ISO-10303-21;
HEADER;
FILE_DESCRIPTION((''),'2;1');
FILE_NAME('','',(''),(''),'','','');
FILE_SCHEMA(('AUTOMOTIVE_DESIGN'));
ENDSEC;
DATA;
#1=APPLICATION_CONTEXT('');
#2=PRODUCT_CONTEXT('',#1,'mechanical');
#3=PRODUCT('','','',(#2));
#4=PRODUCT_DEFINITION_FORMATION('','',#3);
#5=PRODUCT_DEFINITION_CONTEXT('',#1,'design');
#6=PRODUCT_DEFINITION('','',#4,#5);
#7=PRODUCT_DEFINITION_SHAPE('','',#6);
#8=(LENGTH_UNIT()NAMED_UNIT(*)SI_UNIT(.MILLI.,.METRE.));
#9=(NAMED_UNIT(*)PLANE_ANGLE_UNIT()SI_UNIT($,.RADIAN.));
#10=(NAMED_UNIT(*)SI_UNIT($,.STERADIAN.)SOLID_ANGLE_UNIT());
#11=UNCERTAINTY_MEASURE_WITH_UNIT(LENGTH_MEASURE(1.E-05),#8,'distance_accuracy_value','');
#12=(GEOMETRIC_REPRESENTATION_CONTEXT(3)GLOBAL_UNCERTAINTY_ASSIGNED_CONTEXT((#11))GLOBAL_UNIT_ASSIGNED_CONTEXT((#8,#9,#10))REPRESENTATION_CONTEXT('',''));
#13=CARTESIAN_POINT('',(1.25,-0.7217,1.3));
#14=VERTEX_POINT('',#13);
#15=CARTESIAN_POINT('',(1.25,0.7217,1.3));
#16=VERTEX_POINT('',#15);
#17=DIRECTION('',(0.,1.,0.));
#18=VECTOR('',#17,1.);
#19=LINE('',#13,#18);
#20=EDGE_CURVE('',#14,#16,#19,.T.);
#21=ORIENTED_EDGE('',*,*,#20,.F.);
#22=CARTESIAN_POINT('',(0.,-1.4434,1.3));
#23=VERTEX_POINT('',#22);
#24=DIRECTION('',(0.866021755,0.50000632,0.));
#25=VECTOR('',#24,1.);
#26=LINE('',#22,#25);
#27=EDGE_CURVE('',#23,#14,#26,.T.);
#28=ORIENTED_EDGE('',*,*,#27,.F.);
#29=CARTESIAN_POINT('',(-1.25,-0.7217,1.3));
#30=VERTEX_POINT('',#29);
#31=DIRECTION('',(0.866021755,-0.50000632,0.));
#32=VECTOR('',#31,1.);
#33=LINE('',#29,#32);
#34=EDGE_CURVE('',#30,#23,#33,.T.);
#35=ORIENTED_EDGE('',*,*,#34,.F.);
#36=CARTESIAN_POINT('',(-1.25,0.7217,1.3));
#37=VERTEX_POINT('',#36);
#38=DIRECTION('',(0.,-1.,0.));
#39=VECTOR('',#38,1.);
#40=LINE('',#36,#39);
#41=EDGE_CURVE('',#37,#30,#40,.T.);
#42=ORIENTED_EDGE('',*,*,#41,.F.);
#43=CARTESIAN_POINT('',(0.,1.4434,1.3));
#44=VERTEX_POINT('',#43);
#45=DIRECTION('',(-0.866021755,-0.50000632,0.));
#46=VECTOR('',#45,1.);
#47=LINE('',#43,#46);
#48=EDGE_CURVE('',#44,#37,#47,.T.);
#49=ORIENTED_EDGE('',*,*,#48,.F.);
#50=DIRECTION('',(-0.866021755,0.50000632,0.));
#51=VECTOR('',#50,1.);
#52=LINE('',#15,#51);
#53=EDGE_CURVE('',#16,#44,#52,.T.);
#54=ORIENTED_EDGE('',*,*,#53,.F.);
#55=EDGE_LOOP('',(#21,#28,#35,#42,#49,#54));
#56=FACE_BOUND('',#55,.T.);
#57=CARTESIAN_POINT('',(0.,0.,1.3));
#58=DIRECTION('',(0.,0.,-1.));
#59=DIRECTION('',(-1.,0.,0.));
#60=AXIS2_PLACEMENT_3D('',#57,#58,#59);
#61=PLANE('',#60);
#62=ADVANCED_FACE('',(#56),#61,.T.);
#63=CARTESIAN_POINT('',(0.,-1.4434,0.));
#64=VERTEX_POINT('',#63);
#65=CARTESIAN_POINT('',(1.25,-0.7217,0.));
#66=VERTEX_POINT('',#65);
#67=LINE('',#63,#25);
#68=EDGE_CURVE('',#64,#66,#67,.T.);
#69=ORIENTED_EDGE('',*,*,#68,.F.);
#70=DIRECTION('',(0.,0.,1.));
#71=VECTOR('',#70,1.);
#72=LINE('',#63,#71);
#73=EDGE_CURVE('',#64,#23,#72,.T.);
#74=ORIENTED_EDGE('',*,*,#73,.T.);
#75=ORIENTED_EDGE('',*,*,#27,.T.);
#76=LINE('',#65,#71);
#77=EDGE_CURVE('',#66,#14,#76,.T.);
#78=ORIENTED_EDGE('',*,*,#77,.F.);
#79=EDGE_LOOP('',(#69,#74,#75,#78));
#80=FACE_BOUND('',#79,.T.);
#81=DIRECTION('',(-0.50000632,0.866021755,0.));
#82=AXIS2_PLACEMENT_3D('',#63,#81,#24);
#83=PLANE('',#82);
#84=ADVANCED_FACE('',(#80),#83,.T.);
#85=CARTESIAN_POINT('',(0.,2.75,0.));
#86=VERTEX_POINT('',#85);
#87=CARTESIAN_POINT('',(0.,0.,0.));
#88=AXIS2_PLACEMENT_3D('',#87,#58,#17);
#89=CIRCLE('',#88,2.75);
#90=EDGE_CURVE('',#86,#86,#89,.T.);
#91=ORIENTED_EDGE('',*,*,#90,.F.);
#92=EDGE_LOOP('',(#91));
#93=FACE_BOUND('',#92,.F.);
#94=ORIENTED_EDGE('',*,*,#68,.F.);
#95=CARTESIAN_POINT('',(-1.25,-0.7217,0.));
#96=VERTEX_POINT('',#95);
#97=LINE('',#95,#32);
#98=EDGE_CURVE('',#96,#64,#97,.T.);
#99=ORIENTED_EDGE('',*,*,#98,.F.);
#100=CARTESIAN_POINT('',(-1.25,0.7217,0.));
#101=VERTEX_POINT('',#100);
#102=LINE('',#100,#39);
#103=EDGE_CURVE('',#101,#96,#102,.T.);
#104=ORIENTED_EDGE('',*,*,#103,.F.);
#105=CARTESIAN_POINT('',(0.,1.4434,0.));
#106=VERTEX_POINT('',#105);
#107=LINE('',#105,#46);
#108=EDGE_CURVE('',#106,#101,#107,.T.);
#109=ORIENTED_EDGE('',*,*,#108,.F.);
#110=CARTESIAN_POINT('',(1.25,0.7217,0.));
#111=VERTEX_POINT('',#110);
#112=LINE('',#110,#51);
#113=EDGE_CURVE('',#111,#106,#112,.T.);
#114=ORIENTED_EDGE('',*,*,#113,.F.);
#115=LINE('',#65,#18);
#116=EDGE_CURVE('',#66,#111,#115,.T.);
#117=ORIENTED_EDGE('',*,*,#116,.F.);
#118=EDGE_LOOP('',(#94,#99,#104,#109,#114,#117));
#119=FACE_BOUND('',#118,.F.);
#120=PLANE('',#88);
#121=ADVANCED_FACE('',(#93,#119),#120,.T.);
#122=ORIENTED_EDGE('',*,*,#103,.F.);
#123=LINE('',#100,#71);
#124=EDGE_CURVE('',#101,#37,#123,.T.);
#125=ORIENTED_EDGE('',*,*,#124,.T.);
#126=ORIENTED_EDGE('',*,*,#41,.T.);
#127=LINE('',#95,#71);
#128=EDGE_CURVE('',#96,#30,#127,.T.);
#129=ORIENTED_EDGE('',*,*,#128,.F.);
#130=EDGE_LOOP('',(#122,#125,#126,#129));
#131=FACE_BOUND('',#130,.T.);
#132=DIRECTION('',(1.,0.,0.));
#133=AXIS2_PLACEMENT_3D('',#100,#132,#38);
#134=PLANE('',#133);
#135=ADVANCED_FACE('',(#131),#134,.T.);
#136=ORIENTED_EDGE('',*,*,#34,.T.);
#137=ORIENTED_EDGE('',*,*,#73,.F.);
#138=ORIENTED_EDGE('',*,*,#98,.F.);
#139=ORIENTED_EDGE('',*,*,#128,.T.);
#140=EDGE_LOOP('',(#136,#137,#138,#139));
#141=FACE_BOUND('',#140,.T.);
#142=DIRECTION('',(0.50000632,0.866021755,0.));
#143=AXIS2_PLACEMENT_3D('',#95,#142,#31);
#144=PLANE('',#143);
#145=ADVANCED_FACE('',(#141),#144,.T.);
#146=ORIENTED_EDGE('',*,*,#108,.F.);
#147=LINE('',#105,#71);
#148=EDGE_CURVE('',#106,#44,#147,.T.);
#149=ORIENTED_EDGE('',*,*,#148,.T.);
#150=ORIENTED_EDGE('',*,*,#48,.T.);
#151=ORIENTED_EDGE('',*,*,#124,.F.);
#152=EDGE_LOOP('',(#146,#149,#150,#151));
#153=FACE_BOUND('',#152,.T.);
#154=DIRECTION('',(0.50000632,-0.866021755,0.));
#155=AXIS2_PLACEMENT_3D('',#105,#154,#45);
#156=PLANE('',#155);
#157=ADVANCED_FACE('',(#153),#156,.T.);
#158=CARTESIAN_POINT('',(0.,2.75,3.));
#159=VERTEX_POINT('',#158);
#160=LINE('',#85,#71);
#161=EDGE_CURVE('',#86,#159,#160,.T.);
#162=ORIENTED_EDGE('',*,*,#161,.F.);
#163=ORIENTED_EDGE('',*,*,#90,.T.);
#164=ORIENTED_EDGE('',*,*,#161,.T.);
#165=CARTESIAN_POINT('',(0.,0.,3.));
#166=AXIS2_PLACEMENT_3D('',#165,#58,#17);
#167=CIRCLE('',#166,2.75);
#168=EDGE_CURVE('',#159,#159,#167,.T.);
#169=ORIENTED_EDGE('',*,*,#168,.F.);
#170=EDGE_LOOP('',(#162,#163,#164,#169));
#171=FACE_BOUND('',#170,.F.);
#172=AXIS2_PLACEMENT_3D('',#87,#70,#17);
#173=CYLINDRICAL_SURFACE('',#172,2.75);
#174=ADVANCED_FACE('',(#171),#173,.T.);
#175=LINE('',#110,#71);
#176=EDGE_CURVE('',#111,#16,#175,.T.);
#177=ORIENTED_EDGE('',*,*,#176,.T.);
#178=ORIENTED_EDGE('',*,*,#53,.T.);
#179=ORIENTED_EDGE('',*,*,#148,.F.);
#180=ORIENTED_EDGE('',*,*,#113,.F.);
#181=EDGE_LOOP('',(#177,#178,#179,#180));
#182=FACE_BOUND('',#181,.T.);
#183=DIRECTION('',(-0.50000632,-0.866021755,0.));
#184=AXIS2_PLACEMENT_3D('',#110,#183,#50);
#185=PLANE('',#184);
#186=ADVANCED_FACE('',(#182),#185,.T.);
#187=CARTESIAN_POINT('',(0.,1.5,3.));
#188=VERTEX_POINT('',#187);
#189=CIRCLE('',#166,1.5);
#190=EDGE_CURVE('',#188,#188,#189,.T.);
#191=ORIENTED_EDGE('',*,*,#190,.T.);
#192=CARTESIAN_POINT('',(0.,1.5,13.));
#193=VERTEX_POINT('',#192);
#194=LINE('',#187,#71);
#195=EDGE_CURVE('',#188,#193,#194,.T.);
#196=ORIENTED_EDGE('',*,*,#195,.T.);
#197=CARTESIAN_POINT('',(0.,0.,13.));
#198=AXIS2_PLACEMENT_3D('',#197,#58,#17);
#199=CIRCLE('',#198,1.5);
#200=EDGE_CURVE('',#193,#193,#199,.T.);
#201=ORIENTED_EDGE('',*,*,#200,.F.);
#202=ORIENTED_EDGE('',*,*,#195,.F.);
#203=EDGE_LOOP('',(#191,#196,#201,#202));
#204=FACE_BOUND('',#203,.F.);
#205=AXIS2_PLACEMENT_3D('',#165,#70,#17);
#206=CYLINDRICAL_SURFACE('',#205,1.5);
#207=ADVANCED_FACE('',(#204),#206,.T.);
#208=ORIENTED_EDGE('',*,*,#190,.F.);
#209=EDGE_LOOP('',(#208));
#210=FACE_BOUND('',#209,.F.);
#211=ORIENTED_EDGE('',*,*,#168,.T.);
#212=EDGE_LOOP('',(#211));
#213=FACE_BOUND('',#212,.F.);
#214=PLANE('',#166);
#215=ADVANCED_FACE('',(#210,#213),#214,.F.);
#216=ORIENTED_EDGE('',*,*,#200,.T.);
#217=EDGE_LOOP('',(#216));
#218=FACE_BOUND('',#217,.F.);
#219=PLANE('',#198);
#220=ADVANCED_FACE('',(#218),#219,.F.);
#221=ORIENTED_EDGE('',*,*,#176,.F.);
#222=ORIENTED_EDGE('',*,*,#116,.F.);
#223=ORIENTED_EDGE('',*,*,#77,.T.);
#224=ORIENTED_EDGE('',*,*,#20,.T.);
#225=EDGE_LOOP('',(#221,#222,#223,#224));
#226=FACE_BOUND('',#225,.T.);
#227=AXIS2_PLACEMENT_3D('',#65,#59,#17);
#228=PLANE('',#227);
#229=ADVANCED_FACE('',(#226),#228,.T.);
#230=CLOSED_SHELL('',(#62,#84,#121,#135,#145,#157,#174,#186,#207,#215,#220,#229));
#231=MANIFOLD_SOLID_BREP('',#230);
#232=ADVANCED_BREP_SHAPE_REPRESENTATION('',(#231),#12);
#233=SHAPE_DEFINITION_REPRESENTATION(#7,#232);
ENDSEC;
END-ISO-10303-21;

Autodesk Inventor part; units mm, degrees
ref_plane "YZ Plane" through (0, 0, 0) normal (1, 0, 0) x (0, 1, 0)
ref_plane "XZ Plane" through (0, 0, 0) normal (0, 1, 0) x (-1, 0, 0)
ref_plane "XY Plane" through (0, 0, 0) normal (0, 0, 1) x (1, 0, 0)
sketch "スケッチ1" plane through (0, 0, 0) normal (1, 0, 0) x (0, 1, 0)
  line L0 (0, 13) -> (0, 0)
  line L1 (0, 0) -> (2.75, 0)
  line L2 (2.75, 0) -> (2.75, 3)
  line L3 (2.75, 3) -> (1.5, 3)
  line L4 (1.5, 3) -> (1.5, 13)
  line L5 (1.5, 13) -> (0, 13)
  dimension "d2" = 3
  dimension "d10" = 10
  dimension "d11" = 3
  dimension "d12" = 5.5
revolve "回転1" add sketch "スケッチ1" angle 360 about axis through (0, 0, 13) along (0, 0, -1)
thread "ねじ1" size "M3x0.5" class "6g" standard "ANSI Metric M Profile" full length
sketch "スケッチ2" plane through (0, 0, 0) normal (0, 0, -1) x (-1, 0, 0)
  line L0 (0, 1.4434) -> (1.25, 0.7217)
  line L1 (1.25, 0.7217) -> (1.25, -0.7217)
  line L2 (1.25, -0.7217) -> (0, -1.4434)
  line L3 (0, -1.4434) -> (-1.25, -0.7217)
  line L4 (-1.25, -0.7217) -> (-1.25, 0.7217)
  line L5 (-1.25, 0.7217) -> (0, 1.4434)
  circle A0 centre (0, 0) radius 2.75 projected
  line L6 (0, 2.75) -> (0, -2.75) construction
  dimension "d7" = 2.5
extrude "押し出し1" cut sketch "スケッチ2" against normal blind 1.3 contours L0 L1 L2 L3 L4 L5
properties part number "M3-10" material "ステンレス鋼 AISI 304"
